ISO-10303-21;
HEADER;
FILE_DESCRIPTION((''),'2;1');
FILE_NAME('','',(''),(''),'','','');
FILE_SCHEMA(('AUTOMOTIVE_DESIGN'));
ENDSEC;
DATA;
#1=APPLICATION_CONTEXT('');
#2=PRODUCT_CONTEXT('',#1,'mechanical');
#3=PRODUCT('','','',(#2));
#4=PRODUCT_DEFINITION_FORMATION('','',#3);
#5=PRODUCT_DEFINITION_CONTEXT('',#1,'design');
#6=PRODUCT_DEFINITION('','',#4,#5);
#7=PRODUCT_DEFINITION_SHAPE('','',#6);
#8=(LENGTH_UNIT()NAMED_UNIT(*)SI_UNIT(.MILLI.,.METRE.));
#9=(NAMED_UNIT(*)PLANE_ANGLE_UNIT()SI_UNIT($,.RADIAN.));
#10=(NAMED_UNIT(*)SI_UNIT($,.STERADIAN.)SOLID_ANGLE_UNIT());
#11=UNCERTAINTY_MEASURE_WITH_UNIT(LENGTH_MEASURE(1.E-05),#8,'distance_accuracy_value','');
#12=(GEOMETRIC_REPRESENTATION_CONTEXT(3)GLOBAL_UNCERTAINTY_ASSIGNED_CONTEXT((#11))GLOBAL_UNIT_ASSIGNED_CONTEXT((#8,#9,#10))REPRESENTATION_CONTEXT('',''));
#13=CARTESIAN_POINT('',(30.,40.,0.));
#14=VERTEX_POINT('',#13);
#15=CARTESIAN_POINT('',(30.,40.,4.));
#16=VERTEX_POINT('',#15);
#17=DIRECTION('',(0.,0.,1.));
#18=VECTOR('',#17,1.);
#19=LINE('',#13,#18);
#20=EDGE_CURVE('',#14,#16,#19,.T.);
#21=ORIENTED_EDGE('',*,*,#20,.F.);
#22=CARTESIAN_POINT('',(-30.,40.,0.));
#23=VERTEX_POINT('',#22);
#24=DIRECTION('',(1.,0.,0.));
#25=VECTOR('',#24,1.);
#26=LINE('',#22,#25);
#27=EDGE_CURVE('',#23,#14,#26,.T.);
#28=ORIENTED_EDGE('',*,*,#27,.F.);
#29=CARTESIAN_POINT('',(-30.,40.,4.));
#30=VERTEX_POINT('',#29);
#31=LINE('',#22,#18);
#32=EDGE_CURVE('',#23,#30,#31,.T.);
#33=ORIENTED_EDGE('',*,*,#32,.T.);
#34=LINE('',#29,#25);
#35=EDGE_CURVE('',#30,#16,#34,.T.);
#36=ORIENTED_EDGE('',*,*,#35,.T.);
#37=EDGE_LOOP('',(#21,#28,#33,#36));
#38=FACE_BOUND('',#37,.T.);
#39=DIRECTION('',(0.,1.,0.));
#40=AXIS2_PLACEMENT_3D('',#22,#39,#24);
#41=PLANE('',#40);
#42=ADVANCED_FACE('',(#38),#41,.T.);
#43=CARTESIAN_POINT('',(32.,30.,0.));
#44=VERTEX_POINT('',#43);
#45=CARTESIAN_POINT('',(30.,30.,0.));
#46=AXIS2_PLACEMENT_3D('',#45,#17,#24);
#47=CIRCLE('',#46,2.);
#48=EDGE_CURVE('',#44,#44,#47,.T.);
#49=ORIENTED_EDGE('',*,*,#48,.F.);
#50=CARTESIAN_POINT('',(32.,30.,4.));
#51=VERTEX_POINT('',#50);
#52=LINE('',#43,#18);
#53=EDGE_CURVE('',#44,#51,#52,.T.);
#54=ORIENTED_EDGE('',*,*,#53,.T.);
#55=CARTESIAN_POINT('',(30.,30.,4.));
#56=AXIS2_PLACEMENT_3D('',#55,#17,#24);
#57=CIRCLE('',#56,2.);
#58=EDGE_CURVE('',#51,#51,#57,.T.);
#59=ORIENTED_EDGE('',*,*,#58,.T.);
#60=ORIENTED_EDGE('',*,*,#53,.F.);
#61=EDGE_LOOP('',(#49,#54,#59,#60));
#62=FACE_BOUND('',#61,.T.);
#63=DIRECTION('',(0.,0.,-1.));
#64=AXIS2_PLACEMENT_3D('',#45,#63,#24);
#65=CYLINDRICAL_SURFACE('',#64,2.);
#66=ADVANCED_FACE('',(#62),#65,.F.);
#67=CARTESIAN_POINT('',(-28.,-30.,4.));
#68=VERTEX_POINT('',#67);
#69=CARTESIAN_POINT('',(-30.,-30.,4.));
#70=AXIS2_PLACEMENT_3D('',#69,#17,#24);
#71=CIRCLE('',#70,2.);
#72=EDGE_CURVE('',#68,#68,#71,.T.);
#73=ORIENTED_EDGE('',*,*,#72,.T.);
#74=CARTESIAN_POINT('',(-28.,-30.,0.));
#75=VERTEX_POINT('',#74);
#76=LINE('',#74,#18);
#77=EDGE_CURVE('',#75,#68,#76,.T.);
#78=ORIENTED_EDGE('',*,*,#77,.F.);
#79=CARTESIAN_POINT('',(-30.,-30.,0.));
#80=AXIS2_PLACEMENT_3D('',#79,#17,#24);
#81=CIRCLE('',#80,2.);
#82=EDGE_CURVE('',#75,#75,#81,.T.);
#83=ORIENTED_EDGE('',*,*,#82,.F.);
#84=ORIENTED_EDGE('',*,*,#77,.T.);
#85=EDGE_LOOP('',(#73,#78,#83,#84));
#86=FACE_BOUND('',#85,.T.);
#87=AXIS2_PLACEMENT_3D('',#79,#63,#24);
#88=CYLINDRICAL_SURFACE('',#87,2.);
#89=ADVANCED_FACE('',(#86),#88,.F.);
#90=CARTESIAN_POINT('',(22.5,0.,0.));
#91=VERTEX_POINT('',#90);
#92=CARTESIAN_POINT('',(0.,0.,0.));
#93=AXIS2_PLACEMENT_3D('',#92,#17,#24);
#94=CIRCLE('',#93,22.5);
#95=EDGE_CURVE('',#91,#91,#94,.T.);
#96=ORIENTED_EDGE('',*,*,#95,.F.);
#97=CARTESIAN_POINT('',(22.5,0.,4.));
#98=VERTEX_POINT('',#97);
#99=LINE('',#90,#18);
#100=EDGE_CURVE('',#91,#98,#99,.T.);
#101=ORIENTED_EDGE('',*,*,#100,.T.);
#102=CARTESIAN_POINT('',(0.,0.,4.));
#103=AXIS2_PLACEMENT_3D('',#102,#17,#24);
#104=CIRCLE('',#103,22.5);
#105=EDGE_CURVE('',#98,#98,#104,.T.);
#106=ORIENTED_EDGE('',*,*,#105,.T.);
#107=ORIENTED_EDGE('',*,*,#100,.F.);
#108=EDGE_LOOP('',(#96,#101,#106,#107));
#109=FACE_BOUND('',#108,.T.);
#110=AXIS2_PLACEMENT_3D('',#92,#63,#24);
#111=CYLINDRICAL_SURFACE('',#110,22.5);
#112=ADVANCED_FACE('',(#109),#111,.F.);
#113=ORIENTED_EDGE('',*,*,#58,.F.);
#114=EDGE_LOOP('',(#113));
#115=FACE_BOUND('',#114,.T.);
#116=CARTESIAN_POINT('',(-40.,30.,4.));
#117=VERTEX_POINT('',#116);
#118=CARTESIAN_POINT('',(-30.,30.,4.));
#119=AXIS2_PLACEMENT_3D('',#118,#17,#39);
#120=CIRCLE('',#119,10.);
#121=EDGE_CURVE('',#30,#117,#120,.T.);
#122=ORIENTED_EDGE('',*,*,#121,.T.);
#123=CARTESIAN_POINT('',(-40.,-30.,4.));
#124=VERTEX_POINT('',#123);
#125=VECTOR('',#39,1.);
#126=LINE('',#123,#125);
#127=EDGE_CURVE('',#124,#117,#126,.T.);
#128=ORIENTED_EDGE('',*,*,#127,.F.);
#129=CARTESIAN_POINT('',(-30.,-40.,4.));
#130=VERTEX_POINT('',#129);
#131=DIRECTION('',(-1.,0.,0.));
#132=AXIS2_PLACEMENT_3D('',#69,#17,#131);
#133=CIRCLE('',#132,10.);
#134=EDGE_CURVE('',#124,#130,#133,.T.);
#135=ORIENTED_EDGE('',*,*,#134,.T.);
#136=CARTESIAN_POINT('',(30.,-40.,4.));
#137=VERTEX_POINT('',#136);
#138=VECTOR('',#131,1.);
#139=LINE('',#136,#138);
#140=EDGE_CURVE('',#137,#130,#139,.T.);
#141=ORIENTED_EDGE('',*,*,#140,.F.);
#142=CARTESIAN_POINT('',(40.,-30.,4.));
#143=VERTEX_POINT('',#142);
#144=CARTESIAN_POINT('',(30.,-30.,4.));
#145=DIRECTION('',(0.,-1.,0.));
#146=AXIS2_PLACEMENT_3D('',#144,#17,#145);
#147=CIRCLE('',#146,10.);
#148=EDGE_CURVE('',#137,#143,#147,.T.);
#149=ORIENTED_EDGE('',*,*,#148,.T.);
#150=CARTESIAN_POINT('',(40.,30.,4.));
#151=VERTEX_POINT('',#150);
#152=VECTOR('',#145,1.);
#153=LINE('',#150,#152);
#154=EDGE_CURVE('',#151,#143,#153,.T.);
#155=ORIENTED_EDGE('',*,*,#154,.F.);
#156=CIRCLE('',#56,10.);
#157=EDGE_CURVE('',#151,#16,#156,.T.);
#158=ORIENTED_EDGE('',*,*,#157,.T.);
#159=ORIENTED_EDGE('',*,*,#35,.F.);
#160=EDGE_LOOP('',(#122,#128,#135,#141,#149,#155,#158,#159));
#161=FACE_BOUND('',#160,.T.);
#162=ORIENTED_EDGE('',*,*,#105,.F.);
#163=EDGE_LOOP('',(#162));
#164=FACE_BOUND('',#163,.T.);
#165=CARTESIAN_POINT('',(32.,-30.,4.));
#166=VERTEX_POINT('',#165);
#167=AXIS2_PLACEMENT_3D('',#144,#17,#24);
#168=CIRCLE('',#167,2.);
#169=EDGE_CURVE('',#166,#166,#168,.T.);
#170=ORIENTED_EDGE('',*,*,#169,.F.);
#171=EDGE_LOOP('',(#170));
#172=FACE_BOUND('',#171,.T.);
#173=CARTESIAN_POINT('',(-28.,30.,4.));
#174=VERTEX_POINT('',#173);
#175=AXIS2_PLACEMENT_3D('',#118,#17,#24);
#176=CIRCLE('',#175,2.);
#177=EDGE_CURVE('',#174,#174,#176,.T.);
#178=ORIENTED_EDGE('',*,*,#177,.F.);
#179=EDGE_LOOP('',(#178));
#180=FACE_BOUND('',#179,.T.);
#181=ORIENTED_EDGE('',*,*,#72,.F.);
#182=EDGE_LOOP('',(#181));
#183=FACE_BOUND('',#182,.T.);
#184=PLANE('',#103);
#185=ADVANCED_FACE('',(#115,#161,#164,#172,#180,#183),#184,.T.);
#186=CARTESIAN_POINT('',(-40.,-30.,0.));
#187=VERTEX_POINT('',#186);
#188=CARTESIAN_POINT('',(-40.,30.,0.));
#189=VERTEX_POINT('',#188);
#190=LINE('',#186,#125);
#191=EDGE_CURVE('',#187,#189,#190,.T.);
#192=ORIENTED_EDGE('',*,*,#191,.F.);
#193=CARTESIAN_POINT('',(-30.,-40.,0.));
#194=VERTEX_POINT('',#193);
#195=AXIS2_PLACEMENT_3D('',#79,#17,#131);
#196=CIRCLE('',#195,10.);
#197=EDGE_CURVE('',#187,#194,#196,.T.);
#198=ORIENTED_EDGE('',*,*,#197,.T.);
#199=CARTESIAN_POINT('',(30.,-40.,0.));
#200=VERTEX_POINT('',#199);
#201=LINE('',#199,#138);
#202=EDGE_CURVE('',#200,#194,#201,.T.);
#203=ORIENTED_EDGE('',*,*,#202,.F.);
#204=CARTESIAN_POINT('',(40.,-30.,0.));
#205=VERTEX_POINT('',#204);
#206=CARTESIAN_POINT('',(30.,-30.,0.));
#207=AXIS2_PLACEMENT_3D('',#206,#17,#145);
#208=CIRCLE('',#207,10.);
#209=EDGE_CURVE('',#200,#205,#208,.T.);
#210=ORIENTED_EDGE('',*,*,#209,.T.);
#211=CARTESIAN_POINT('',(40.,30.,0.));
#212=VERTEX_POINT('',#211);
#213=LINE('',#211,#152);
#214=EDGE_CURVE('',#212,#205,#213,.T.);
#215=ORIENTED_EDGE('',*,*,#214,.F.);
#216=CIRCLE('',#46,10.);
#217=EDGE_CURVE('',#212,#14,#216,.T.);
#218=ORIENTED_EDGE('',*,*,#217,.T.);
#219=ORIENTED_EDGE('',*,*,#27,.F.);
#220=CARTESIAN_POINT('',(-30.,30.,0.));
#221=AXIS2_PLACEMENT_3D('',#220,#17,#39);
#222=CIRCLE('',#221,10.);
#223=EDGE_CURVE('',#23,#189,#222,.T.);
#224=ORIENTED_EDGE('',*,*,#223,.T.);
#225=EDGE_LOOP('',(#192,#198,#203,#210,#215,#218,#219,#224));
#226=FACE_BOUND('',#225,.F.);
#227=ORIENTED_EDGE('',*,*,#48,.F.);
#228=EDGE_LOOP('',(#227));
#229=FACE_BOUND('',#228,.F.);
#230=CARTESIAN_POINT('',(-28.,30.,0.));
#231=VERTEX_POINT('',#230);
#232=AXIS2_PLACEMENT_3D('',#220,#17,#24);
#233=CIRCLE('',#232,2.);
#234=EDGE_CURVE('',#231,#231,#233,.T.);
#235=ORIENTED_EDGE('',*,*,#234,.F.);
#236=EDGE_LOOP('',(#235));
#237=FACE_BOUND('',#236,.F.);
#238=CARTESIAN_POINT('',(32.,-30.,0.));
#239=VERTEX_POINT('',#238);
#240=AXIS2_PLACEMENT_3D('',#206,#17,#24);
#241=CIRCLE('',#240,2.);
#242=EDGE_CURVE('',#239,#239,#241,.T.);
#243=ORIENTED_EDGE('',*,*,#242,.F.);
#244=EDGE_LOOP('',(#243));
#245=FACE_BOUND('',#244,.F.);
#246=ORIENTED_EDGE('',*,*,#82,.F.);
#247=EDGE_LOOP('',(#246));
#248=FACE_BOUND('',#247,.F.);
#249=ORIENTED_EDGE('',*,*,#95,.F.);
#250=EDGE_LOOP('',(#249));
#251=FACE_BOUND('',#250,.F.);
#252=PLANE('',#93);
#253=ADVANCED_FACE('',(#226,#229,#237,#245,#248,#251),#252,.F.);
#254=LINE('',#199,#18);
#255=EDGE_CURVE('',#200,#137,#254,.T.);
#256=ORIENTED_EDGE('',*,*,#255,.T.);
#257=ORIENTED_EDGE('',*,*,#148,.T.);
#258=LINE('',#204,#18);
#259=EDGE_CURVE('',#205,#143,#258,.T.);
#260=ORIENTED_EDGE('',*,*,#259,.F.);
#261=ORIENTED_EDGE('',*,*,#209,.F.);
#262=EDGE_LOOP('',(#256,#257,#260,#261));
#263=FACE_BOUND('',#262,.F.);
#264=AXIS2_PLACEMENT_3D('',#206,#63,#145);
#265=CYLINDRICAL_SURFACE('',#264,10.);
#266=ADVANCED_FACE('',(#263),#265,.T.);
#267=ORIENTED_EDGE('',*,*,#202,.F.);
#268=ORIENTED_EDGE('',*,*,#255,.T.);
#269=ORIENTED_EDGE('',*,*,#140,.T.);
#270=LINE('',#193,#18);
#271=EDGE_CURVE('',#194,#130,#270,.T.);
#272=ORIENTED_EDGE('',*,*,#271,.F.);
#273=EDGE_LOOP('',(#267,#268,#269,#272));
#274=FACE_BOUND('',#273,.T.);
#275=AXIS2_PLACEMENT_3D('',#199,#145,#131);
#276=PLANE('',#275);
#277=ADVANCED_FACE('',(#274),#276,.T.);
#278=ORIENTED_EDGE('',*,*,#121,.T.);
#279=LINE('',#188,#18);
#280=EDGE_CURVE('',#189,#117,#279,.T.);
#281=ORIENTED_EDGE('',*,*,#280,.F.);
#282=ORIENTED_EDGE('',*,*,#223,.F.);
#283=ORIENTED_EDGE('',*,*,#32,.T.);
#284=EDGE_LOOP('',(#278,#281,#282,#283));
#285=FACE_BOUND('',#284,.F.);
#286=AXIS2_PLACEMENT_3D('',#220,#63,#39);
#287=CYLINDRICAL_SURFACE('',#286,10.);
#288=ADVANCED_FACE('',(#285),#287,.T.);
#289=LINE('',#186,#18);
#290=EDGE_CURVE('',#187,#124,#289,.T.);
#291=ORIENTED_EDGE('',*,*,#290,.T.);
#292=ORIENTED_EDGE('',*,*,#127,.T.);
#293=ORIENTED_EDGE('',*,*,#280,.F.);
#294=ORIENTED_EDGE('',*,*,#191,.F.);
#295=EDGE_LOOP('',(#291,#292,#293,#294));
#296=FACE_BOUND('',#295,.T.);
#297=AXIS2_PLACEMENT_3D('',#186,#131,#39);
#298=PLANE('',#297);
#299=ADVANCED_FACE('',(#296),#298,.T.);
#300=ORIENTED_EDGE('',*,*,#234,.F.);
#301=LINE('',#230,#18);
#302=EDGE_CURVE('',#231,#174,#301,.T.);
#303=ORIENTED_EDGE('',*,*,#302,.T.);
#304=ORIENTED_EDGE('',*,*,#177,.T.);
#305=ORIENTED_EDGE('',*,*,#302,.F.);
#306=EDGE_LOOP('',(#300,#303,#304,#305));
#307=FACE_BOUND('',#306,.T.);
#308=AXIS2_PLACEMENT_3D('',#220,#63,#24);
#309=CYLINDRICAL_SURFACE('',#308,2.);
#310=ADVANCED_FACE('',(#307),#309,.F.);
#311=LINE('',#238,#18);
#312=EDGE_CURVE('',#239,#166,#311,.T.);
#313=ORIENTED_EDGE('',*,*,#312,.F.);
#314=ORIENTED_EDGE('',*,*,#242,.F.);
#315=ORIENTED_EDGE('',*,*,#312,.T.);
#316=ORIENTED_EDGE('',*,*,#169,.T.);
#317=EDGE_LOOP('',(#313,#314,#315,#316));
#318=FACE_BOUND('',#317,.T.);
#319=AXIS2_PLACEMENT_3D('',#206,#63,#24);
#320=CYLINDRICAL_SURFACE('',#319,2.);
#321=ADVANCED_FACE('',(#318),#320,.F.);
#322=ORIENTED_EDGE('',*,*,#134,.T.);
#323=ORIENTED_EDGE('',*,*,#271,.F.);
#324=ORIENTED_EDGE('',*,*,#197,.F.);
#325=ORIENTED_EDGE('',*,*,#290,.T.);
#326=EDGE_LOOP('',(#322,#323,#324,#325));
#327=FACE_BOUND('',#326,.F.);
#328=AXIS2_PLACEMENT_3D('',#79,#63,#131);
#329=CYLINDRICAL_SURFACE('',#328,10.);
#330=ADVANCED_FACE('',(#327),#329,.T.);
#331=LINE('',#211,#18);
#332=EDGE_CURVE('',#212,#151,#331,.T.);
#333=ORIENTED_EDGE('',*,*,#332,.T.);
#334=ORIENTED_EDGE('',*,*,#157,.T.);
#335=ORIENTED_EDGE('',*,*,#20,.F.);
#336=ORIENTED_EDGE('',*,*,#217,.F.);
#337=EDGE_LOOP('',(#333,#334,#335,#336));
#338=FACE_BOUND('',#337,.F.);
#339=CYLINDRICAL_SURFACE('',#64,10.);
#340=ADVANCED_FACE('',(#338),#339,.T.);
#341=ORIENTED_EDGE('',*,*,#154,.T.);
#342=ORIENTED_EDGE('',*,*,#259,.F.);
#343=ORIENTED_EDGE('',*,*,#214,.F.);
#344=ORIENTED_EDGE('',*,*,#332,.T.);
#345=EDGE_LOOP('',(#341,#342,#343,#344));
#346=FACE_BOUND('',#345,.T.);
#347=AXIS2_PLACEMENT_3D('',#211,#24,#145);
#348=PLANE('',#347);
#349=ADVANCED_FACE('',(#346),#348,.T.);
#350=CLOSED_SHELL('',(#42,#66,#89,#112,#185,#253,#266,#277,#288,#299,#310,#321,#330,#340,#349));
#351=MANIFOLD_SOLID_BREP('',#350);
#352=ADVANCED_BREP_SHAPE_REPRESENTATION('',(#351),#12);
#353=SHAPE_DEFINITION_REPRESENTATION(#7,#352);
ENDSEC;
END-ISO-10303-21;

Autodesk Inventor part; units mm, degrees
ref_plane "YZ Plane" through (0, 0, 0) normal (1, 0, 0) x (0, 1, 0)
ref_plane "XZ Plane" through (0, 0, 0) normal (0, 1, 0) x (-1, 0, 0)
ref_plane "Plano de trabalho1" through (0, 0, 0) normal (0, 0, 1) x (1, 0, 0)
sketch "Esboço1" plane through (0, 0, 0) normal (0, 0, 1) x (1, 0, 0)
  arc A0 (-40, -30) -> (-30, -40) centre (-30, -30) ccw
  line L0 (30, -40) -> (-30, -40)
  arc A1 (30, -40) -> (40, -30) centre (30, -30) ccw
  line L1 (40, 30) -> (40, -30)
  arc A2 (40, 30) -> (30, 40) centre (30, 30) ccw
  line L2 (-30, 40) -> (30, 40)
  arc A3 (-30, 40) -> (-40, 30) centre (-30, 30) ccw
  line L3 (-40, -30) -> (-40, 30)
  circle A4 centre (0, 0) radius 5
  circle A5 centre (0, 0) radius 22.5
  circle A6 centre (30, 30) radius 2
  circle A7 centre (30, -30) radius 2
  circle A8 centre (-30, -30) radius 2
  circle A9 centre (-30, 30) radius 2
  point P0 (0, 0)
  dimension "d0" = 45
  dimension "d3" = 4
  dimension "d4" = 4
  dimension "d5" = 4
  dimension "d6" = 4
extrude "Extrusão1" add sketch "Esboço1" along normal blind 4 contours L3 A3 L2 A2 L1 A1 L0 A0
equation "\"d3\" = d6"
equation "\"d4\" = d6"
equation "\"d5\" = d6"
properties part number "suporte-superior2"
